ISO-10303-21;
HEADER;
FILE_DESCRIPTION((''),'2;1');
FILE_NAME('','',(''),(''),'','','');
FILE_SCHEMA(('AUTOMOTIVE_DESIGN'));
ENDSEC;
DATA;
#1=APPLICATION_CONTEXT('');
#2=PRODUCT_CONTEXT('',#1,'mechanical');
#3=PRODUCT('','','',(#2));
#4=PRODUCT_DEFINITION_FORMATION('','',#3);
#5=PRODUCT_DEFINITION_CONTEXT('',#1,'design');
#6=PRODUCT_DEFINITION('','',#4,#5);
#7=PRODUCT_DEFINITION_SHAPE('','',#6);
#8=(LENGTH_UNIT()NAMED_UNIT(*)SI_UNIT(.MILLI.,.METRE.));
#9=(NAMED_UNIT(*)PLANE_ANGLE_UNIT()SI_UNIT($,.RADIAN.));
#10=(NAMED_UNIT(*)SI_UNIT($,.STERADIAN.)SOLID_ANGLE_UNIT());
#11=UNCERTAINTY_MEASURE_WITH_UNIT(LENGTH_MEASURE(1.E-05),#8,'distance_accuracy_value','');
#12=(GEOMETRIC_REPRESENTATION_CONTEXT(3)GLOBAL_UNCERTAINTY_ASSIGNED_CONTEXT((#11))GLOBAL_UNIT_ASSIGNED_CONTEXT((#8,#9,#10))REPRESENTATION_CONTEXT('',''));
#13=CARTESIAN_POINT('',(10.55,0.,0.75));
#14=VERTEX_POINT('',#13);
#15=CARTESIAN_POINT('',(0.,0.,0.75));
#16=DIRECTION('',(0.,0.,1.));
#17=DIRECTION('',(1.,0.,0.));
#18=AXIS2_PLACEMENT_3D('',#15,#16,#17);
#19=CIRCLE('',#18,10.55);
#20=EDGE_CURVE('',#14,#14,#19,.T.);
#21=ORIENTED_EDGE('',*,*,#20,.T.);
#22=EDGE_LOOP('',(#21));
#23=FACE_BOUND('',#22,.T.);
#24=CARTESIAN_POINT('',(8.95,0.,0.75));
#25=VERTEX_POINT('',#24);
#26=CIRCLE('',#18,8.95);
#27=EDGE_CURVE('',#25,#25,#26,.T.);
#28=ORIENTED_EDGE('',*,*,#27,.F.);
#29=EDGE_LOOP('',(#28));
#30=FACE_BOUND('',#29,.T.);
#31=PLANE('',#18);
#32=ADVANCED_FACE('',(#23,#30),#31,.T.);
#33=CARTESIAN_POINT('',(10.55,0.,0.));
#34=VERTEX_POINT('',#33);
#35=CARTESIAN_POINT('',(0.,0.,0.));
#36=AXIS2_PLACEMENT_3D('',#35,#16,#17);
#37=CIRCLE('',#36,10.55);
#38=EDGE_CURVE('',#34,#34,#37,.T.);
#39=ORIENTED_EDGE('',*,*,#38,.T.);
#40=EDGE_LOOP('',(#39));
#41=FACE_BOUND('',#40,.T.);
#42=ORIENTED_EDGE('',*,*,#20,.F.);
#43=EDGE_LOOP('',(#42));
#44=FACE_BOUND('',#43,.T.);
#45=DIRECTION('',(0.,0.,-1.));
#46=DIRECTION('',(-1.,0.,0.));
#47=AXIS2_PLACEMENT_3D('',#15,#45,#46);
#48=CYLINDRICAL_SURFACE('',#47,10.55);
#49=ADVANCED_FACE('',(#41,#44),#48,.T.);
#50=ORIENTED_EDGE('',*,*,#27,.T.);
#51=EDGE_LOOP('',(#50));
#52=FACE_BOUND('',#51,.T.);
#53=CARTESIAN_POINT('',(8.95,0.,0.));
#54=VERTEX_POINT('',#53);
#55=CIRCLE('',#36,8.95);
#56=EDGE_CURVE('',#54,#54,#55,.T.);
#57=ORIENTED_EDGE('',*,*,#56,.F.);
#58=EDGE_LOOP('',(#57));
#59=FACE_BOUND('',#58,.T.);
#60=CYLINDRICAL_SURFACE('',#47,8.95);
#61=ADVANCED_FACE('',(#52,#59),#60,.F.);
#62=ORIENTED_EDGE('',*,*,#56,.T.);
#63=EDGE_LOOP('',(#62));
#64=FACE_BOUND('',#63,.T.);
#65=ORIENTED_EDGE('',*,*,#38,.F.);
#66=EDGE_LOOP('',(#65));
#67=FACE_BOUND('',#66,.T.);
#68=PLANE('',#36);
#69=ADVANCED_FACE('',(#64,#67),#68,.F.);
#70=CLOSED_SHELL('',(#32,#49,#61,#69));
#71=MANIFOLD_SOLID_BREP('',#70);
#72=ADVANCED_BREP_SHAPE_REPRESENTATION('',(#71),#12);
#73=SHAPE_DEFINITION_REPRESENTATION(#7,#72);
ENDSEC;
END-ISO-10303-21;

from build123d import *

# Parameters (mm, degrees)
SKETCH1_R           = 10.55
SKETCH1_R_2         = 8.95
BOSS_EXTRUDE1_DEPTH = 0.75


with BuildPart() as part:
    # Sketch1 → Boss-Extrude1 (new body)
    with BuildSketch(Plane.XY):
        Circle(SKETCH1_R)
        Circle(SKETCH1_R_2, mode=Mode.SUBTRACT)
    extrude(amount=BOSS_EXTRUDE1_DEPTH)


solid = part.part
